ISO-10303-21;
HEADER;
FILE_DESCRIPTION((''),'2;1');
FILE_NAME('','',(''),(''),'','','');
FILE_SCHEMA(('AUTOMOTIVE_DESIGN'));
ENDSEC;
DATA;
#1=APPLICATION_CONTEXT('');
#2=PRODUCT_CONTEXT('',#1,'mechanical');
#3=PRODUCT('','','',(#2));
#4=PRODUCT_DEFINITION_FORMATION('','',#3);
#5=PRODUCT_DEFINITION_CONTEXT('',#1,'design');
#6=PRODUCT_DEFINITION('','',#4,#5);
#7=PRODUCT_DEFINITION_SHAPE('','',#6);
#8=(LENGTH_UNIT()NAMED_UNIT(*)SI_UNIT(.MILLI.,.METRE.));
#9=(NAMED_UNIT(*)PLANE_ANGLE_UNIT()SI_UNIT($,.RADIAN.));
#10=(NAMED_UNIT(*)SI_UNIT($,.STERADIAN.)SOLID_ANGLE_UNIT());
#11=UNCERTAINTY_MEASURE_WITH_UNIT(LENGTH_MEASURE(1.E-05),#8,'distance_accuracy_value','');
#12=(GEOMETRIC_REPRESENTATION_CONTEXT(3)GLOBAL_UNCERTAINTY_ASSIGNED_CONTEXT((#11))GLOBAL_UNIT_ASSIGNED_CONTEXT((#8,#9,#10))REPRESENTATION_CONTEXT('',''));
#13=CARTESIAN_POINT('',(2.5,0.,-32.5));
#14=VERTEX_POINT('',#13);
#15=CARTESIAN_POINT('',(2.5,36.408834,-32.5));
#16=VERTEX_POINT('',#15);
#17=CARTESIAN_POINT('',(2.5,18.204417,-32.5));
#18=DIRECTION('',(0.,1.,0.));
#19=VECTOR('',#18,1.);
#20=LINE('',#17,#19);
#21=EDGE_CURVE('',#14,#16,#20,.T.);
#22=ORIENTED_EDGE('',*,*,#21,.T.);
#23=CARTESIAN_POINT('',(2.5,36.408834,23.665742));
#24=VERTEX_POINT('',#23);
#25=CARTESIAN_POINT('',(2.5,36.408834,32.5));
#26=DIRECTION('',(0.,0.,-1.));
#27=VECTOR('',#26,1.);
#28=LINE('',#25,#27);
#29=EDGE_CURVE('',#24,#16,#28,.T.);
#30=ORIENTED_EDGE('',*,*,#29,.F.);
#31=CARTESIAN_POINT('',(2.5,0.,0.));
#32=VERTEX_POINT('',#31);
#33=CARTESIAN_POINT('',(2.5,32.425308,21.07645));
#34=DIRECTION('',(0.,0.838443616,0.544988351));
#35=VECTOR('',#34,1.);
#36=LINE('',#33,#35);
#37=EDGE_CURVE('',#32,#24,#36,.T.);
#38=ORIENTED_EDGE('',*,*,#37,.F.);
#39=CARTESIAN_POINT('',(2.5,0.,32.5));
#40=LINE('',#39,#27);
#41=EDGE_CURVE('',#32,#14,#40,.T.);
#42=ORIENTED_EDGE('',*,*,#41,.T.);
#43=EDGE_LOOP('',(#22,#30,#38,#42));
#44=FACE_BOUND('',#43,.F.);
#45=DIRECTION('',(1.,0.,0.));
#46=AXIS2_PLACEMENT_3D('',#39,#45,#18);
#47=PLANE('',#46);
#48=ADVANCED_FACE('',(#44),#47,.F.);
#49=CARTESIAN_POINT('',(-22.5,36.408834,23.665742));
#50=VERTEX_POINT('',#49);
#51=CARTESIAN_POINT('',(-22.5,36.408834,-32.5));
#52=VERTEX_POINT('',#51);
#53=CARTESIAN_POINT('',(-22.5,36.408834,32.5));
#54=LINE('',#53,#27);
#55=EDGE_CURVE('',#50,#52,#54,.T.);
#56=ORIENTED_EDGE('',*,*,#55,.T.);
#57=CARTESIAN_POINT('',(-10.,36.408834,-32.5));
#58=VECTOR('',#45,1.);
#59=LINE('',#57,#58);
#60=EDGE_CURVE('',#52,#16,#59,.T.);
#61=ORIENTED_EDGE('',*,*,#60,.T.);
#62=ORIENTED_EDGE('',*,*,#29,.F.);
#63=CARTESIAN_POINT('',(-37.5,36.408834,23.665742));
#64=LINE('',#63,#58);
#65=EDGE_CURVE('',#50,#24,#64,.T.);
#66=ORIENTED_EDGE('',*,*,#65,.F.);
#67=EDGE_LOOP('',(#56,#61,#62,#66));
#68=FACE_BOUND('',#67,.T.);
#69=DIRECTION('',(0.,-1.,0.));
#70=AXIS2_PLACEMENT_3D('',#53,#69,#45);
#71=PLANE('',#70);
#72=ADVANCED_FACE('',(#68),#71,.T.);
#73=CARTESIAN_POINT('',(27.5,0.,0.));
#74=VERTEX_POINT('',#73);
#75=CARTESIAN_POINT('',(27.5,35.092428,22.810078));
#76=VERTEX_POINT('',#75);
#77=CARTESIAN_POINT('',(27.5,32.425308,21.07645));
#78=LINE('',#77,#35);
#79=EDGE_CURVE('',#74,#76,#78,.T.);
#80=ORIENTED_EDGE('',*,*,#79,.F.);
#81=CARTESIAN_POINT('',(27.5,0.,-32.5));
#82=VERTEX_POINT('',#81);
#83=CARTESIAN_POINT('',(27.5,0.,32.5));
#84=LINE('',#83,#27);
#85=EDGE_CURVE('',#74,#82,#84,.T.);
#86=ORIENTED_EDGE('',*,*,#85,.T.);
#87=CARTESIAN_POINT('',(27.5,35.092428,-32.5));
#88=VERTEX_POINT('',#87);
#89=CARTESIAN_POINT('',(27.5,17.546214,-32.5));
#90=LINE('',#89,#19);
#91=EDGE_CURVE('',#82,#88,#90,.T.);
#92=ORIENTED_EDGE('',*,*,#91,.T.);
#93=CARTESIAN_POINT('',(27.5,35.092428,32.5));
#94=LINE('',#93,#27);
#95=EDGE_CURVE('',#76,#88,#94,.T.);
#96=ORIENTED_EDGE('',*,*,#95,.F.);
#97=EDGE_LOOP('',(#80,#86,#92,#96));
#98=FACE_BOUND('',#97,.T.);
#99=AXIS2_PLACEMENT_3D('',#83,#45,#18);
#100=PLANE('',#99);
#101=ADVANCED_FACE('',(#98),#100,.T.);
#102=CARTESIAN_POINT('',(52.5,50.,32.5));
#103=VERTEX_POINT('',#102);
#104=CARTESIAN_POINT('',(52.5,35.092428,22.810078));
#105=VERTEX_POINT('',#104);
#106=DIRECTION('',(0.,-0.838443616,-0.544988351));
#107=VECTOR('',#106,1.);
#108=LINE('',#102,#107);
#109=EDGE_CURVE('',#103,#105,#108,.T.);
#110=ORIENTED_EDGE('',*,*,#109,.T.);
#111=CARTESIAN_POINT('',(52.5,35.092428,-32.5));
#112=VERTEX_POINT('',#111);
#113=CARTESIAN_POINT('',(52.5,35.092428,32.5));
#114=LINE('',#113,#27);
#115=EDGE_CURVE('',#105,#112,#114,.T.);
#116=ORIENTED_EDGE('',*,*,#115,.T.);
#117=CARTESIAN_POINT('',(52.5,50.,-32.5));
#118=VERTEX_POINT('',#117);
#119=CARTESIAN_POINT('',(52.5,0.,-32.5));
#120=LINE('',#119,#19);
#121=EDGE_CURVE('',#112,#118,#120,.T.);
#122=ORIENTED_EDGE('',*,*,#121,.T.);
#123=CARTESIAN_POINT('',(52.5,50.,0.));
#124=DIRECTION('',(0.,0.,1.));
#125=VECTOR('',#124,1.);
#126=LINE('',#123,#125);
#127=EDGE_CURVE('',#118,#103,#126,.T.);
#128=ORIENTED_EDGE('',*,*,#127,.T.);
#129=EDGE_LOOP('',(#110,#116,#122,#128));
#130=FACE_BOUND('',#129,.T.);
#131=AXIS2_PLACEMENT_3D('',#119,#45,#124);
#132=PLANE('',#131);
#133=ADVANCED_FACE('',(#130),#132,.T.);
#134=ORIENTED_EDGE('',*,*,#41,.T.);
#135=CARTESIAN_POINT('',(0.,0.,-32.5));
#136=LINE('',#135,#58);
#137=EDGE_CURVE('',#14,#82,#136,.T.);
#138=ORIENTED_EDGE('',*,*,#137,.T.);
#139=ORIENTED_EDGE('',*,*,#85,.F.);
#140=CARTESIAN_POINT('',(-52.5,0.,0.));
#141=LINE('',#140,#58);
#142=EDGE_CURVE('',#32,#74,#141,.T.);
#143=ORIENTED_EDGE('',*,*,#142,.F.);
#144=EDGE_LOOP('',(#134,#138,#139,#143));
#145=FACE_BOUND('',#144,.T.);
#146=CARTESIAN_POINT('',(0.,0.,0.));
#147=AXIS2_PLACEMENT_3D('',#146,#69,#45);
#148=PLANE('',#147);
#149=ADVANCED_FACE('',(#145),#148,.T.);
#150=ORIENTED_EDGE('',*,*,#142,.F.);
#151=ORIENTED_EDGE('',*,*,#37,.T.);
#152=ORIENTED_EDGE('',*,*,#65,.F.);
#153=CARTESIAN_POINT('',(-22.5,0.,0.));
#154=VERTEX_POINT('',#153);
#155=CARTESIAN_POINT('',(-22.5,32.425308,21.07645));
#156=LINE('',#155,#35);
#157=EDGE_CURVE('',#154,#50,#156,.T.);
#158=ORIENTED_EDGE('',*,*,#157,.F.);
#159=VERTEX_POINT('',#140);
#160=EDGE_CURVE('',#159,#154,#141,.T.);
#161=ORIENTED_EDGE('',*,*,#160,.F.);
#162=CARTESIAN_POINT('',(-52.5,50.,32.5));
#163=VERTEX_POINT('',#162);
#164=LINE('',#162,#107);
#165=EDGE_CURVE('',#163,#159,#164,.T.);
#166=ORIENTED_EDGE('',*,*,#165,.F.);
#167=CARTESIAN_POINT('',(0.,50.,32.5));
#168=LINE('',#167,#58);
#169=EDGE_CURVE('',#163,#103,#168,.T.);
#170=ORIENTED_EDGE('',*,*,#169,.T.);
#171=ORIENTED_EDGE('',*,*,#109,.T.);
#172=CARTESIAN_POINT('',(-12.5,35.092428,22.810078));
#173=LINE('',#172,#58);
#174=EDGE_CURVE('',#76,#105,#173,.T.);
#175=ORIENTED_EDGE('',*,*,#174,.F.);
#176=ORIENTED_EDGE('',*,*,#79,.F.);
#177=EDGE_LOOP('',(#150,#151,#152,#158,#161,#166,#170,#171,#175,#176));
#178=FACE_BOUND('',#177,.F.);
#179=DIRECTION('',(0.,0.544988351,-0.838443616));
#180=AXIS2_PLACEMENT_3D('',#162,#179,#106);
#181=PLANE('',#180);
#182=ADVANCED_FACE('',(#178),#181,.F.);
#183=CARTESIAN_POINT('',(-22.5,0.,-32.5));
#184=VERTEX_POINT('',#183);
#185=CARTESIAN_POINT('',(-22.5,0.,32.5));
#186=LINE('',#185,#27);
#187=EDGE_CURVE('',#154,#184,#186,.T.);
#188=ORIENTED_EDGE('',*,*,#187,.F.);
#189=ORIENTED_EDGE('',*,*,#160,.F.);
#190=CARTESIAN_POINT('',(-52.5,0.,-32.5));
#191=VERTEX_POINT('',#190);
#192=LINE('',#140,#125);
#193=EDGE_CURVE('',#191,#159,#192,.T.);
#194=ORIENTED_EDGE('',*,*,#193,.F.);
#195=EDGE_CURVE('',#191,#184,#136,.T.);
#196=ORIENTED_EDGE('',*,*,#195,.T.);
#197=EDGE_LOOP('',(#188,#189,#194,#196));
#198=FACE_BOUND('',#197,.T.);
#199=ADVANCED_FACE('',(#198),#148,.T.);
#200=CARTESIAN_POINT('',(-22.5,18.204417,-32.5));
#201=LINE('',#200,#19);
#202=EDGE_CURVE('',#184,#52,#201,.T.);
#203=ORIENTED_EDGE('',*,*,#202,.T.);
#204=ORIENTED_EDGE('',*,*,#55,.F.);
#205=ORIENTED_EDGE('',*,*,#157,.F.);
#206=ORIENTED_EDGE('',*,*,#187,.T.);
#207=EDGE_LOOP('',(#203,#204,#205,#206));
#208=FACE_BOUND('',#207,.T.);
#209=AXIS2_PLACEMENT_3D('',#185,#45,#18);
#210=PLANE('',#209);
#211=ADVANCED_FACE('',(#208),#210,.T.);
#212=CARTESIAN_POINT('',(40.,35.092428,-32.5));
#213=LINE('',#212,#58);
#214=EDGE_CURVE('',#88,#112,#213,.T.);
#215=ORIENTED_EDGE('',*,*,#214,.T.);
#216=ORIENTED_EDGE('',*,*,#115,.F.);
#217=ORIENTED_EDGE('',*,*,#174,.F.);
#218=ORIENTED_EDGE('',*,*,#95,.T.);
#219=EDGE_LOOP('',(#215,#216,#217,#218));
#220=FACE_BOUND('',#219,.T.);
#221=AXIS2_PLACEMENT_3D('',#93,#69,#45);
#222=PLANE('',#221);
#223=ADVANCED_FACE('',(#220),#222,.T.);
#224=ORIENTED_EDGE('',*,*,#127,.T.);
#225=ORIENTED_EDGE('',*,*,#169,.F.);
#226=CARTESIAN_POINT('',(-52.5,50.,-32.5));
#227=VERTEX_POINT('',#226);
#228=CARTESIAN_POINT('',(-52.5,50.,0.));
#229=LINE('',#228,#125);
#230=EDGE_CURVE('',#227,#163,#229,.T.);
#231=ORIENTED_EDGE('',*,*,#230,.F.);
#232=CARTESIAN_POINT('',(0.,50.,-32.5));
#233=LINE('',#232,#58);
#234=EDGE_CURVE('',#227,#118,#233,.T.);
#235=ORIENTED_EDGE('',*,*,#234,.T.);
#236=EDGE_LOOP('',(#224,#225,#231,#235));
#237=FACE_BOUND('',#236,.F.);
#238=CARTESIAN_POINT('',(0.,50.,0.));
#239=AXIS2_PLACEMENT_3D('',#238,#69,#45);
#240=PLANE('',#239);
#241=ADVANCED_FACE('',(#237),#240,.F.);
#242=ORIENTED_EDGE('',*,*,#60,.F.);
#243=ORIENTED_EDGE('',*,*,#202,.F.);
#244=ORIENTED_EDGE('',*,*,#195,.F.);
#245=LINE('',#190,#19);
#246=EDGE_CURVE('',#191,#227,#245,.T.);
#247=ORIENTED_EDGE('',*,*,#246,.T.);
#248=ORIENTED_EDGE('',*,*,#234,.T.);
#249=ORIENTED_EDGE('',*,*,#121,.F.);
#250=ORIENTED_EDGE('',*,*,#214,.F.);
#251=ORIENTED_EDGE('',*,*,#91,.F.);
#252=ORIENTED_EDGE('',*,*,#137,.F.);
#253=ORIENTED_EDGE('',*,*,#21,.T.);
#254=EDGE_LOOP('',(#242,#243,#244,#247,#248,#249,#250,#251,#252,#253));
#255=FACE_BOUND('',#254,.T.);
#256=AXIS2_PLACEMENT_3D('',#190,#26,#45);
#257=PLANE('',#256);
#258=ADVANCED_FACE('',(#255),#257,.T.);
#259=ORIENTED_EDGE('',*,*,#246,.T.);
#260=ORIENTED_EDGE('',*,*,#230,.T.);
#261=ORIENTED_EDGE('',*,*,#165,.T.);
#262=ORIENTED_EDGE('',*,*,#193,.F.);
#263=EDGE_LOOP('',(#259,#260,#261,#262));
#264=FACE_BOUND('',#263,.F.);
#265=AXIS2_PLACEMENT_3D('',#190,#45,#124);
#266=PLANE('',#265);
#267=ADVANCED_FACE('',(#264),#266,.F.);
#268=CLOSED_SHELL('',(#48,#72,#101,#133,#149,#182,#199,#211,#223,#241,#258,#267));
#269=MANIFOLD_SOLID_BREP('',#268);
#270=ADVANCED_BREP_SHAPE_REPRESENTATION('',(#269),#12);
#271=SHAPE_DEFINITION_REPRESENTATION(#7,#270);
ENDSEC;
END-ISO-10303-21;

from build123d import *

# Parameters (mm, degrees)
F0_W     = 105
F0_H     = 65
F1_DEPTH = 50
F2_W     = 25
F2_H     = 35.092428
F2_H_2   = 36.408834
F3_DEPTH = 65
F5_DEPTH = 105


with BuildPart() as f1:
    # F0 (on Front) → F1 (new body)
    with BuildSketch(Plane.XZ):
        Rectangle(F0_W, F0_H)
    extrude(amount=-F1_DEPTH)

    # F2 (on face) → F3 (cut)
    with BuildSketch(Plane.XY.offset(32.5)):
        with Locations((40, 17.546214)):
            Rectangle(F2_W, F2_H)
        with Locations((-10, 18.204417)):
            Rectangle(F2_W, F2_H_2)
    extrude(amount=-F3_DEPTH, mode=Mode.SUBTRACT)

    # F4 (on face) → F5 (cut)
    with BuildSketch(Plane(origin=(-52.5, 0, 0), x_dir=(0, -1, 0), z_dir=(-1, 0, 0))):
        Polygon((0, 32.5), (-50, 32.5), (0, 0), align=None)
    extrude(amount=-F5_DEPTH, mode=Mode.SUBTRACT)


solid = f1.part
